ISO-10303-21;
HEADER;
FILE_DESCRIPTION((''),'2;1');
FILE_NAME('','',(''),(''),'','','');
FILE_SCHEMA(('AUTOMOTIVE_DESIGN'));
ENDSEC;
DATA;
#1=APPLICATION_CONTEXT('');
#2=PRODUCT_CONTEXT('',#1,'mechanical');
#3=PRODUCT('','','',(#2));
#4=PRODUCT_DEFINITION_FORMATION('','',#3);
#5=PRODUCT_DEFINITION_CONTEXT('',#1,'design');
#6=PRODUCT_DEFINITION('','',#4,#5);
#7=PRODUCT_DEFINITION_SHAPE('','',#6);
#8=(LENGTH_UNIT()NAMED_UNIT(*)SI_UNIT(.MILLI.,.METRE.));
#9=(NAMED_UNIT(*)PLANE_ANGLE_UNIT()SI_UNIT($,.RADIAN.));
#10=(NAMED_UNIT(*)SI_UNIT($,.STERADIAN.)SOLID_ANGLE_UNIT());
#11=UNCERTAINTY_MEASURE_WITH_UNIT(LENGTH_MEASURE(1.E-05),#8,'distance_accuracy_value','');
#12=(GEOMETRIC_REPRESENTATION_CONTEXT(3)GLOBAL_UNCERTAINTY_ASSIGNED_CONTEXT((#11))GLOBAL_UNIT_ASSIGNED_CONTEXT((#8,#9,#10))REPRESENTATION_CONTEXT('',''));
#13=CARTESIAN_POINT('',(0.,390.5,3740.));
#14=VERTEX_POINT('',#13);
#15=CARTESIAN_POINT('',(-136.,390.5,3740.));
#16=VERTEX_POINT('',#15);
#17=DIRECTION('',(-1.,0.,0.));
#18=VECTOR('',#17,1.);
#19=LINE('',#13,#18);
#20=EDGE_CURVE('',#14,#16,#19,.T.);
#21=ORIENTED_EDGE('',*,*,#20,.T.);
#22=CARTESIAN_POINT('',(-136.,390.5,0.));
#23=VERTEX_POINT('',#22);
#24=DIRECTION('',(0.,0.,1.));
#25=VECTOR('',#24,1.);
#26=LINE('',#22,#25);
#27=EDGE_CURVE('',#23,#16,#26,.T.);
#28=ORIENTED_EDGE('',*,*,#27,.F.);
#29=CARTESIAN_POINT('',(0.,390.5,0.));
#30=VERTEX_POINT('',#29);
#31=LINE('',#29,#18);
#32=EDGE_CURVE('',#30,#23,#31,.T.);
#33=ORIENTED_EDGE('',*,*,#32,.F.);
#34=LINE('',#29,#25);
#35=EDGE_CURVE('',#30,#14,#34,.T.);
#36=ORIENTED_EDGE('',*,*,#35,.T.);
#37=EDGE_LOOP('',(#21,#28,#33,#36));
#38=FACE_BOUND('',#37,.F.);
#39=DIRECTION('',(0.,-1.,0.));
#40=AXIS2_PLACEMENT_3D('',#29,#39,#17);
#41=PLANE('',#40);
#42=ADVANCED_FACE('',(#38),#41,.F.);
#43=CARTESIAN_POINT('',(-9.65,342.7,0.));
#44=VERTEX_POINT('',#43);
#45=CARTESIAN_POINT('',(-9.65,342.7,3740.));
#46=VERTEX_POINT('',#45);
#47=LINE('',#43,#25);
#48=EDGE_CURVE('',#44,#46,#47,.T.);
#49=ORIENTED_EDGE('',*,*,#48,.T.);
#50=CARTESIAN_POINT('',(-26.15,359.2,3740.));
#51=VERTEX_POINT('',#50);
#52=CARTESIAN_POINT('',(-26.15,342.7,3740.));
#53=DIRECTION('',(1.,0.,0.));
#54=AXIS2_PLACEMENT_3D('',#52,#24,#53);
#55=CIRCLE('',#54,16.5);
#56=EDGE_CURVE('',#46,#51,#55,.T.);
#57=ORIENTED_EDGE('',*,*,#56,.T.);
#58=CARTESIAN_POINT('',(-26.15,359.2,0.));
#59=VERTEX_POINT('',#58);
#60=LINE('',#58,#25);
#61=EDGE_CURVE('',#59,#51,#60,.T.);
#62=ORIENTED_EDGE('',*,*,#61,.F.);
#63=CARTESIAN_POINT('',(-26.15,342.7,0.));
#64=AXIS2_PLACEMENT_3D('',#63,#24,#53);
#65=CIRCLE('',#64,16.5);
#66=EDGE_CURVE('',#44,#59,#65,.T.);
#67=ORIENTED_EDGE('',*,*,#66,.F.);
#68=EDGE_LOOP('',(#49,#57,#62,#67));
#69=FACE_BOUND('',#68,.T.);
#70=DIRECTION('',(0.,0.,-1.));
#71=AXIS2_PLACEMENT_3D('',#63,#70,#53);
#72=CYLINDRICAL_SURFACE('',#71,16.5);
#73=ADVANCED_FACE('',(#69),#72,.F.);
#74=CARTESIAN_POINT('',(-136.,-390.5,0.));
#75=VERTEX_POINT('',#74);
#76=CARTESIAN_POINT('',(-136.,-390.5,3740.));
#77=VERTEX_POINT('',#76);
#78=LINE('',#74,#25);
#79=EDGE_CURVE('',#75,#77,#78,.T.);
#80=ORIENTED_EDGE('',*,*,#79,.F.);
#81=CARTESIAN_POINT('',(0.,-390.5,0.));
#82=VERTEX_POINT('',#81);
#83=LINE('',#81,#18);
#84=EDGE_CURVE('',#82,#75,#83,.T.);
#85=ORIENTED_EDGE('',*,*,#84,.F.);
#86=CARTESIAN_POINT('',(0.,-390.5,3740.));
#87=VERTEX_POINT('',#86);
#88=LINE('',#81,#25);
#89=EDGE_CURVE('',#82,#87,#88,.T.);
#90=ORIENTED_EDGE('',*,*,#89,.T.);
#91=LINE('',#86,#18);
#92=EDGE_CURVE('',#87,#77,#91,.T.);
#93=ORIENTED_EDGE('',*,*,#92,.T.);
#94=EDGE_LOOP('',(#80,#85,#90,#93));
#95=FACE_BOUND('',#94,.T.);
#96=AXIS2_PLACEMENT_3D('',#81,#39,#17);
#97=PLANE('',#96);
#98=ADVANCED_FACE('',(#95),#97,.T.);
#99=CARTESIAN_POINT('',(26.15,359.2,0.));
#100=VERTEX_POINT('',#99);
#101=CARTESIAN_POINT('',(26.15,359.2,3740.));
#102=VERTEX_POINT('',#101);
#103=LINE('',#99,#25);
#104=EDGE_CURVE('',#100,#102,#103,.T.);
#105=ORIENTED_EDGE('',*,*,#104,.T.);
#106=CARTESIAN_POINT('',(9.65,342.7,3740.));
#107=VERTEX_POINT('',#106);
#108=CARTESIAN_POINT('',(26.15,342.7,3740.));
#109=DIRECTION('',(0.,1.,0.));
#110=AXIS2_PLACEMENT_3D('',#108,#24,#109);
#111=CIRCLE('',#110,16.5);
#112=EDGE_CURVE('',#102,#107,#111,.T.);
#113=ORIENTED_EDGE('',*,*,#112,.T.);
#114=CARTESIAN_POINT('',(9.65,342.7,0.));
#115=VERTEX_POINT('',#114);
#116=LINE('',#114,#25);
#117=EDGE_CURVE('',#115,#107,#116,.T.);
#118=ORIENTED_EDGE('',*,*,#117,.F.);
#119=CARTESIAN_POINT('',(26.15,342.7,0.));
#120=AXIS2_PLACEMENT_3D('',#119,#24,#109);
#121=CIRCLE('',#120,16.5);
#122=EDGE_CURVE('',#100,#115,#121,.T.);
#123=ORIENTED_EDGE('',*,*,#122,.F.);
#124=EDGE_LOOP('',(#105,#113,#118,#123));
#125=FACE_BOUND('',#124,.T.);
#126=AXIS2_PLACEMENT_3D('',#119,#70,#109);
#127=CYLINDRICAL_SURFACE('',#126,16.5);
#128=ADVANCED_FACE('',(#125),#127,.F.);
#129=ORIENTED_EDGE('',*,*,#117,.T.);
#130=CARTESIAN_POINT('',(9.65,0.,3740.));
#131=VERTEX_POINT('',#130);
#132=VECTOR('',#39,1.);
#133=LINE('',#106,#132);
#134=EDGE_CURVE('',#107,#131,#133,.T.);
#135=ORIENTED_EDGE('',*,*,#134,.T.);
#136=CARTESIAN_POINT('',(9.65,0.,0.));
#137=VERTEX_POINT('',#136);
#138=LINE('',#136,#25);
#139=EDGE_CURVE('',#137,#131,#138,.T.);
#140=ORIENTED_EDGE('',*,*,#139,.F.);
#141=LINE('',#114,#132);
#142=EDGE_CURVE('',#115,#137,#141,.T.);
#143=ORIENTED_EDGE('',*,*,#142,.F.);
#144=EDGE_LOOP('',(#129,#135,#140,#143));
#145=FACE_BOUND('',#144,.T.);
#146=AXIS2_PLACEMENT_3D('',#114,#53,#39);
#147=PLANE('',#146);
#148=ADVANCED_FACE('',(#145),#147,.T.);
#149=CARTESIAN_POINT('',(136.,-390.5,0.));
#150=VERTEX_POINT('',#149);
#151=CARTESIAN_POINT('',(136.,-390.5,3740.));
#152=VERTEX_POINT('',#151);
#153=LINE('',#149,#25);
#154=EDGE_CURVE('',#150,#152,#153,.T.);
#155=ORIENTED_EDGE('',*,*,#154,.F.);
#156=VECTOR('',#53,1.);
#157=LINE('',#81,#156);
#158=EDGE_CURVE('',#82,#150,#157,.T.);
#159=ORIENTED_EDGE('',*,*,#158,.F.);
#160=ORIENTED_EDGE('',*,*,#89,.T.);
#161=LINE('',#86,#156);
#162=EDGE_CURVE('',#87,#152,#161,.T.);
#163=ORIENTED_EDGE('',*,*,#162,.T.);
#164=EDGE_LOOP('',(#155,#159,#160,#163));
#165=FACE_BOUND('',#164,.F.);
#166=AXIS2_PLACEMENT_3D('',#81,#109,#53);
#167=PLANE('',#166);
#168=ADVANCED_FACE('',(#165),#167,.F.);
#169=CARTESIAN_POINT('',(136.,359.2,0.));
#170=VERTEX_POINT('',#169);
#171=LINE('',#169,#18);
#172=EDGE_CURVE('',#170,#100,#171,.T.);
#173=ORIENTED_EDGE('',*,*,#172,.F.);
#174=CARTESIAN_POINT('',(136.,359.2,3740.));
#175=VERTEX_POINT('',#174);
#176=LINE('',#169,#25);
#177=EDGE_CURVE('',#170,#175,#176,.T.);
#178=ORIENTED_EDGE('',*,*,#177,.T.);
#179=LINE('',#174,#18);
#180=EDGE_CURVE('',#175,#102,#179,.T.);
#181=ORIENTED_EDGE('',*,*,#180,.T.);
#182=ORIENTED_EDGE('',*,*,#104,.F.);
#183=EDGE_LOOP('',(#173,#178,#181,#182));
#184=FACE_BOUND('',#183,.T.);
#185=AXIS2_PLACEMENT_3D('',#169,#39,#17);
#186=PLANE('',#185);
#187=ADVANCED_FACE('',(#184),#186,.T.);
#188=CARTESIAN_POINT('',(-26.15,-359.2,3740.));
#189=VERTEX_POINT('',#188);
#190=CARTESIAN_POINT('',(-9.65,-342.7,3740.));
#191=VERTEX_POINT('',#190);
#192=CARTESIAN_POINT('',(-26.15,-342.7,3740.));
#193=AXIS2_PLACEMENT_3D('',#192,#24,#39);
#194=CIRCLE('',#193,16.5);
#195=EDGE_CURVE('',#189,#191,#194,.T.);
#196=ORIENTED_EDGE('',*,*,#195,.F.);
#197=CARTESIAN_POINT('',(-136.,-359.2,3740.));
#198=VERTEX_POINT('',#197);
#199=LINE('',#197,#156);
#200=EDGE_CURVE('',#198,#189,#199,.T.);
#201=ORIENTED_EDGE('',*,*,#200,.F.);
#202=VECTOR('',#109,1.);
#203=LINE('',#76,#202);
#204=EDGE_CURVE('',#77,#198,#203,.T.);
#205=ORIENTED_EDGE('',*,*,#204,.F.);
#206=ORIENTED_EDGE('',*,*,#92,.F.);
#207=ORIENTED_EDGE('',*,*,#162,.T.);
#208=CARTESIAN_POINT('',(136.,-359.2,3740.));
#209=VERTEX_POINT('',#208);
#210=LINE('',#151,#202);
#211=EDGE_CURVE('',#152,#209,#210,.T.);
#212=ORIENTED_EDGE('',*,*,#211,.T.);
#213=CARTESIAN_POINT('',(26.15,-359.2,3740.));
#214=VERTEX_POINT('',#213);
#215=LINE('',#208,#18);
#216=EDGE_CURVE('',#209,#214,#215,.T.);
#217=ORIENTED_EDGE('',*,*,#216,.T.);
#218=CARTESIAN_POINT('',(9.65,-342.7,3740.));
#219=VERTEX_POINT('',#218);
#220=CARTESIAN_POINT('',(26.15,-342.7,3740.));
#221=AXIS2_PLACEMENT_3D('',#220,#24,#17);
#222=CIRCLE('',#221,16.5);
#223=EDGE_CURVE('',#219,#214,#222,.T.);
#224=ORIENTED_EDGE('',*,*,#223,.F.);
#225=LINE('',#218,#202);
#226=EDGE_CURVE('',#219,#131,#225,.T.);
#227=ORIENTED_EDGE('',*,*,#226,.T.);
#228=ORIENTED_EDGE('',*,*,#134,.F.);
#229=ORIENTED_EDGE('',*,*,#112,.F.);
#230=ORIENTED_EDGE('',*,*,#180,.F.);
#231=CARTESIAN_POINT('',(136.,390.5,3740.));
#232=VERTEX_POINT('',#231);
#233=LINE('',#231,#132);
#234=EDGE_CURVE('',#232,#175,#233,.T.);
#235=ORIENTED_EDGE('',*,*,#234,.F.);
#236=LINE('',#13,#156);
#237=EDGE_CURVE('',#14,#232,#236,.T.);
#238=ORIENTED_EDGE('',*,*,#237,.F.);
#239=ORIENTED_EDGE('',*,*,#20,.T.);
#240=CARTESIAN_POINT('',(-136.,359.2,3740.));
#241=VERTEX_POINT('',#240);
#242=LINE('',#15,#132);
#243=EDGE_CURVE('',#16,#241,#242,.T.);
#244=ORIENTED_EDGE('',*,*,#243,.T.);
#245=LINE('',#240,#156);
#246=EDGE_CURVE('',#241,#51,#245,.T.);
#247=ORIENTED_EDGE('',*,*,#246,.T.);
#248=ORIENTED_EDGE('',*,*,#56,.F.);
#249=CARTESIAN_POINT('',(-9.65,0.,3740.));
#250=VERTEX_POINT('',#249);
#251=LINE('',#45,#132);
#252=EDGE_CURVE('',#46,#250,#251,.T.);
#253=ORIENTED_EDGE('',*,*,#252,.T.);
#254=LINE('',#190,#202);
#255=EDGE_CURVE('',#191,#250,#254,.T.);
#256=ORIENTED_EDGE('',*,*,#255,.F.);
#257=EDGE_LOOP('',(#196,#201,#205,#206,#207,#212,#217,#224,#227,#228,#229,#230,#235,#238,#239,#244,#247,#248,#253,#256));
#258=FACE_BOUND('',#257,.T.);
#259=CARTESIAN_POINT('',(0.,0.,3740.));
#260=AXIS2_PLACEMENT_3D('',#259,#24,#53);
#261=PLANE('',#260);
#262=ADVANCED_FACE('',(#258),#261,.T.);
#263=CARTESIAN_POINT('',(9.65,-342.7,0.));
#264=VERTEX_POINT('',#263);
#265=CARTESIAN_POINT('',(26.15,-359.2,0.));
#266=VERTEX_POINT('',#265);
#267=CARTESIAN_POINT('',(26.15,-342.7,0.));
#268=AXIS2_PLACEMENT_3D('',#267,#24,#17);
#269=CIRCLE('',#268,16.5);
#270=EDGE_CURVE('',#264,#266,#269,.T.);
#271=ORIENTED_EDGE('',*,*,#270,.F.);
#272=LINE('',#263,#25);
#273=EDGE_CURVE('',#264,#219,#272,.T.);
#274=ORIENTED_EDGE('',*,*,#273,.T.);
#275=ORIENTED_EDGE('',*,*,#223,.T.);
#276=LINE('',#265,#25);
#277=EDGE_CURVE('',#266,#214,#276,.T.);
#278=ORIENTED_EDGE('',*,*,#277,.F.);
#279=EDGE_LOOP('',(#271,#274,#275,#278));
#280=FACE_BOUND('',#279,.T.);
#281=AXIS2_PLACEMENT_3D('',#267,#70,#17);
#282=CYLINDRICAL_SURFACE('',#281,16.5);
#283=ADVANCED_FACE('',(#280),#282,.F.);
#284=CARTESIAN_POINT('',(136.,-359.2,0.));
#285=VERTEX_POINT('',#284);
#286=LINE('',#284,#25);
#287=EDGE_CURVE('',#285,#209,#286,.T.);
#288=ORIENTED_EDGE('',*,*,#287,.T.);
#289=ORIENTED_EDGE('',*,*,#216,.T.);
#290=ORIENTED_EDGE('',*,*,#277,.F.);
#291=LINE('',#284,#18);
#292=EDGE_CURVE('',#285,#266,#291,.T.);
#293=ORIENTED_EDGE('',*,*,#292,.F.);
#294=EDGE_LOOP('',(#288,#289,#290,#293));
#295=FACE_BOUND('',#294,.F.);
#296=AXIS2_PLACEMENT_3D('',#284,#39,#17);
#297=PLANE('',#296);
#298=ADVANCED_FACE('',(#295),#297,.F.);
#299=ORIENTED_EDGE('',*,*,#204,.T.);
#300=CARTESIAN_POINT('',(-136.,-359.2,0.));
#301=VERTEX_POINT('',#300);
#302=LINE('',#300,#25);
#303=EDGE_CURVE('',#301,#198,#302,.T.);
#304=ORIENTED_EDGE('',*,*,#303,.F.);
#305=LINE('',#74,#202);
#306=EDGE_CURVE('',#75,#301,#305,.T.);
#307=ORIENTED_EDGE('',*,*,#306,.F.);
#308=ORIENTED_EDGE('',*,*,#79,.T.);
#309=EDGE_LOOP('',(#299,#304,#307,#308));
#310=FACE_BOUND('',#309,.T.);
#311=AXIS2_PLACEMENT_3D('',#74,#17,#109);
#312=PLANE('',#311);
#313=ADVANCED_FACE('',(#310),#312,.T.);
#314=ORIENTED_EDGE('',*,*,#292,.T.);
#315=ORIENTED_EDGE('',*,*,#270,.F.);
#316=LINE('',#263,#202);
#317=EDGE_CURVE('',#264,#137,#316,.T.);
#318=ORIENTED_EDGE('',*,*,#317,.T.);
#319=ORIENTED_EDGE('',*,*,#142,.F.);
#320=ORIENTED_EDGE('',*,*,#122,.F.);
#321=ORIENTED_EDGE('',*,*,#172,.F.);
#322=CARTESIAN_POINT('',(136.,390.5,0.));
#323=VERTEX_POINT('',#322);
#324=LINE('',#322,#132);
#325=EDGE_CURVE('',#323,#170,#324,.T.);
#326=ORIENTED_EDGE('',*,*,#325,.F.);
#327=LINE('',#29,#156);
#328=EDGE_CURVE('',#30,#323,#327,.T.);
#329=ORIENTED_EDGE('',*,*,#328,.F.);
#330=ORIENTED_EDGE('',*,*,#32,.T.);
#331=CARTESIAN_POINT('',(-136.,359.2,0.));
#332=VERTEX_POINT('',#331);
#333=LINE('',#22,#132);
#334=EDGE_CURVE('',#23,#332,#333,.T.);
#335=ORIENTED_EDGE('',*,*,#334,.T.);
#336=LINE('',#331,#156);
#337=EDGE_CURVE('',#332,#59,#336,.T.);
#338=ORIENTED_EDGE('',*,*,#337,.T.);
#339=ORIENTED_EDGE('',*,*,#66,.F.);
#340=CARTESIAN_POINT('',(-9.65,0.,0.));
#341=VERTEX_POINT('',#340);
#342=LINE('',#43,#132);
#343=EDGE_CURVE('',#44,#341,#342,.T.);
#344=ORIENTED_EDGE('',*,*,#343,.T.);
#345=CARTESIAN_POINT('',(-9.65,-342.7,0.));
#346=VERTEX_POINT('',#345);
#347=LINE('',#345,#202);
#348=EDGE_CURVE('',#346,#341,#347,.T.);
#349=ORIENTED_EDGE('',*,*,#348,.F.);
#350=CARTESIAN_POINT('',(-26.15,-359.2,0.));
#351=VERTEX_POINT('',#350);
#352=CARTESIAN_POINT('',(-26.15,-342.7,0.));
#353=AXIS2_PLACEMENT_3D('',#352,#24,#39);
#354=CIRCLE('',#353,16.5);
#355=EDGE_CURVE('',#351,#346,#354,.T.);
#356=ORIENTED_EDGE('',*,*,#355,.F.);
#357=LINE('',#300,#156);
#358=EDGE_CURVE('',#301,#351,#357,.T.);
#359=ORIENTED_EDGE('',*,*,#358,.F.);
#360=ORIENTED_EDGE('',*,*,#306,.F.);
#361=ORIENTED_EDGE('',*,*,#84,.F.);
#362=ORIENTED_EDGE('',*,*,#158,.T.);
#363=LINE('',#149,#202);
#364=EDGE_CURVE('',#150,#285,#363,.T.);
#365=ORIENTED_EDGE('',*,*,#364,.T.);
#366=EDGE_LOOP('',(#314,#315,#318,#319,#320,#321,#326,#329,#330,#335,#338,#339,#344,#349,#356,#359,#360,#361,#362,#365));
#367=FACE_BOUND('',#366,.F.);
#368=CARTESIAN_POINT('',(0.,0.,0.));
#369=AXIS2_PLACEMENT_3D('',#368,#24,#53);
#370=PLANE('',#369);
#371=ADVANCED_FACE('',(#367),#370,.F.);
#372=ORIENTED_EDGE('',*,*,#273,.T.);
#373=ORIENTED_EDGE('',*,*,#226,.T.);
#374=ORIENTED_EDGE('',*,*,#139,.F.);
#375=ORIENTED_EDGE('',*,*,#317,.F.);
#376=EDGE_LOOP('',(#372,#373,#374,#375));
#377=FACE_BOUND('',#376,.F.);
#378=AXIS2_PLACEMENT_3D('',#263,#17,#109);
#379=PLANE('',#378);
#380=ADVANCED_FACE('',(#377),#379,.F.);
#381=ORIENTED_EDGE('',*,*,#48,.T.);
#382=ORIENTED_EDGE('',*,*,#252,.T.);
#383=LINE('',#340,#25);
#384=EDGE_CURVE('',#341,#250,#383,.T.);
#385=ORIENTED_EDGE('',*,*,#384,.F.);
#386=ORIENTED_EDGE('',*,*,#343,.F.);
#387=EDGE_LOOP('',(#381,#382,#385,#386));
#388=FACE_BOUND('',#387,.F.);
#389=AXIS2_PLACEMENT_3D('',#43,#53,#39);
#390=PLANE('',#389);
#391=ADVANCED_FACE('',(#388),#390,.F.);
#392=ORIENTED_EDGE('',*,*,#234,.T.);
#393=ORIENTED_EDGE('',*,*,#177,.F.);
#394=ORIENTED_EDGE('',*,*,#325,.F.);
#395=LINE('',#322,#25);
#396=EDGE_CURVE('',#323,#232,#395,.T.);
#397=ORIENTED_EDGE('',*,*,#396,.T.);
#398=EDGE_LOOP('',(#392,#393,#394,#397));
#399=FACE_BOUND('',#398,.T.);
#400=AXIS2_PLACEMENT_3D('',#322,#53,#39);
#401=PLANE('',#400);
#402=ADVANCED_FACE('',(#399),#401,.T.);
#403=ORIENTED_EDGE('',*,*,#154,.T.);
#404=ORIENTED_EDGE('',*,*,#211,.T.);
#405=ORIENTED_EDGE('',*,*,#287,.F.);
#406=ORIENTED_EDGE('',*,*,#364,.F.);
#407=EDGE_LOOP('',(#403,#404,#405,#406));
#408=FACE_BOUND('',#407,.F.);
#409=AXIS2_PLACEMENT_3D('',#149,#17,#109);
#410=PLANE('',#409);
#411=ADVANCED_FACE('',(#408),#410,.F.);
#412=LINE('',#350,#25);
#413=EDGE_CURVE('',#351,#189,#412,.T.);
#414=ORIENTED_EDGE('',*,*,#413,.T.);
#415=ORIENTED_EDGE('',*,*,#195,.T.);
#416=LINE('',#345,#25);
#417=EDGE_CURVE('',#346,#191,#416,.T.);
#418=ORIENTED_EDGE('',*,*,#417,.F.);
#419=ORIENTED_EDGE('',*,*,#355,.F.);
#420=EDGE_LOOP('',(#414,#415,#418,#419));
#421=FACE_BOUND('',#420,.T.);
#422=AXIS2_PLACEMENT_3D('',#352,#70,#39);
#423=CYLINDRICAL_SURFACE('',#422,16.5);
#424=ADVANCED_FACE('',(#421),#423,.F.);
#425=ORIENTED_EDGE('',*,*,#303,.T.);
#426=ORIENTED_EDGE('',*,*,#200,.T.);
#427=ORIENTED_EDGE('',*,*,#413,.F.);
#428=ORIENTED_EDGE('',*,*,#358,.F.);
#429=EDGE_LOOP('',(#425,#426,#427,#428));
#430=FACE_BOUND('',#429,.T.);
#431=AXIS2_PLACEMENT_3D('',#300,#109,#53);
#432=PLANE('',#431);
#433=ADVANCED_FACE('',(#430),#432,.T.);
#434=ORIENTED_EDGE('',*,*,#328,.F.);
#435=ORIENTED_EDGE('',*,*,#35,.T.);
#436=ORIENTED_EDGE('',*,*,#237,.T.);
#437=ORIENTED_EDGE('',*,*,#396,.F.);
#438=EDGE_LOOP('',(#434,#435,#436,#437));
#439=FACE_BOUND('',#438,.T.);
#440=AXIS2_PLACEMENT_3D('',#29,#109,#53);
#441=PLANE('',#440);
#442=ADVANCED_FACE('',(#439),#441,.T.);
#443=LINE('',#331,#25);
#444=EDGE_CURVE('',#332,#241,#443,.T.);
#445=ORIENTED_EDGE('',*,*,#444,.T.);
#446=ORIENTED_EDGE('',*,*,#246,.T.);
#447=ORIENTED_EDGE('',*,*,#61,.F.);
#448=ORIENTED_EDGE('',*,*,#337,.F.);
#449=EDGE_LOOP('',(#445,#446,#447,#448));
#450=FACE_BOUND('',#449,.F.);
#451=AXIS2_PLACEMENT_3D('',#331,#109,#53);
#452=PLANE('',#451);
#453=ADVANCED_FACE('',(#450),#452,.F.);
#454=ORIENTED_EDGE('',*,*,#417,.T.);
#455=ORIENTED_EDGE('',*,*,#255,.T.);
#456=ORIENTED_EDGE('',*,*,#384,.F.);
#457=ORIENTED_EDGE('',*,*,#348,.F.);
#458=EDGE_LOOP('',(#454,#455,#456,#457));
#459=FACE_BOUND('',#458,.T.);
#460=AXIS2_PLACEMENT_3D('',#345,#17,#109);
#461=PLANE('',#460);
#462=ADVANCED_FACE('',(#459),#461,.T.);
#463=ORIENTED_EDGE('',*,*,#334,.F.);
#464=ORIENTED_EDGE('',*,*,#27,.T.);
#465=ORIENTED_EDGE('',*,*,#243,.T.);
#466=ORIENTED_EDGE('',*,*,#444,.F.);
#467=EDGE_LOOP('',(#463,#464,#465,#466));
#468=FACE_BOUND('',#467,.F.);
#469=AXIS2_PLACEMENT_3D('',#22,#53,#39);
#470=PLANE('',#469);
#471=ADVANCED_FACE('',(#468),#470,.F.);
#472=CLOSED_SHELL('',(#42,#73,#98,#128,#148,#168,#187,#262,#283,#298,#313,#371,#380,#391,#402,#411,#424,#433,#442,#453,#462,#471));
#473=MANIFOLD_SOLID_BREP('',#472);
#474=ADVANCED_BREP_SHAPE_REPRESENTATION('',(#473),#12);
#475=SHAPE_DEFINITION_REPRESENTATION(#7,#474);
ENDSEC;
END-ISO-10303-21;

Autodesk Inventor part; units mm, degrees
ref_plane "YZ Plane" through (0, 0, 0) normal (1, 0, 0) x (0, 1, 0)
ref_plane "Start plane" through (0, 0, 0) normal (0, 0, 1) x (1, 0, 0)
ref_plane "End plane" through (0, 0, 3740) normal (0, 0, 1) x (1, 0, 0)
sketch "Sketch" plane through (0, 0, 0) normal (0, 0, 1) x (1, 0, 0)
  line L0 (-136, -390.5) -> (-136, -359.2)
  line L1 (-136, -359.2) -> (-26.15, -359.2)
  line L2 (-9.65, -342.7) -> (-9.65, 0)
  line L3 (-9.65, 0) -> (0, 0) construction
  line L4 (0, 0) -> (0, -390.5) construction
  line L5 (0, -390.5) -> (-136, -390.5)
  line L6 (-60, 0) -> (80, 0) construction
  line L7 (0, -60) -> (0, 80) construction
  line L8 (136, -390.5) -> (136, -359.2)
  line L9 (136, -359.2) -> (26.15, -359.2)
  line L10 (9.65, -342.7) -> (9.65, 0)
  line L11 (9.65, 0) -> (0, 0) construction
  line L12 (0, -390.5) -> (136, -390.5)
  line L13 (-136, 390.5) -> (-136, 359.2)
  line L14 (-136, 359.2) -> (-26.15, 359.2)
  line L15 (-9.65, 342.7) -> (-9.65, 0)
  line L16 (0, 390.5) -> (-136, 390.5)
  line L17 (136, 390.5) -> (136, 359.2)
  line L18 (136, 359.2) -> (26.15, 359.2)
  line L19 (0, 390.5) -> (136, 390.5)
  line L20 (9.65, 342.7) -> (9.65, 0)
  arc A0 (-9.65, 342.7) -> (-26.15, 359.2) centre (-26.15, 342.7) ccw
  arc A1 (26.15, 359.2) -> (9.65, 342.7) centre (26.15, 342.7) ccw
  arc A2 (9.65, -342.7) -> (26.15, -359.2) centre (26.15, -342.7) ccw
  arc A3 (-26.15, -359.2) -> (-9.65, -342.7) centre (-26.15, -342.7) ccw
  line L21 (0, 108) -> (0, -88) construction
  line L22 (-88, 0) -> (108, 0) construction
  point P0 (-9.65, -359.2)
  point P1 (9.65, -359.2)
  point P2 (-9.65, 359.2)
  point P3 (9.65, 359.2)
  dimension "d1" = 390.5
  dimension "d2" = 31.3
  dimension "d3" = 136
  dimension "d4" = 9.65
  dimension "d10" = 16.5
extrude "Body" add sketch "Sketch" along normal up to surface (3740 mm away) from surface at 0
sketch "Sketch4" plane through (0, 0, 0) normal (0, 0, 1) x (1, 0, 0)
  line L0 (0, 0) -> (10, 0)
ref_plane "Work Plane3" through (0, 0, 0) normal (0, -1, 0) x (1, 0, 0)
sketch "Sketch5" plane through (0, 0, 0) normal (0, -1, 0) x (1, 0, 0)
  line L0 (-2, 0) -> (12, 0) projected
  line L1 (-2, 3740) -> (12, 3740) projected
  dimension "d14" = 3740
equation "\"d1\" = 0.5 * G_H"
equation "\"d2\" = G_T1"
equation "\"d3\" = 0.5 * G_W"
equation "\"d4\" = 0.5 * G_T"
equation "\"d10\" = G_IR"
equation "\"d5\" = G_L"
equation "\"G_W\" = 272"
equation "\"G_H\" = 781"
equation "\"G_T\" = 19.3"
equation "\"G_T1\" = 31.3"
equation "\"G_IR\" = 16.5"
equation "\"G_L\" = d14"
equation "\"G_OFFSET_START\" = 0"
equation "\"G_OFFSET_END\" = 0"
properties part number "AS 3679-1990 - 760 UB - 244 - 3740" material "Steel, Mild"
